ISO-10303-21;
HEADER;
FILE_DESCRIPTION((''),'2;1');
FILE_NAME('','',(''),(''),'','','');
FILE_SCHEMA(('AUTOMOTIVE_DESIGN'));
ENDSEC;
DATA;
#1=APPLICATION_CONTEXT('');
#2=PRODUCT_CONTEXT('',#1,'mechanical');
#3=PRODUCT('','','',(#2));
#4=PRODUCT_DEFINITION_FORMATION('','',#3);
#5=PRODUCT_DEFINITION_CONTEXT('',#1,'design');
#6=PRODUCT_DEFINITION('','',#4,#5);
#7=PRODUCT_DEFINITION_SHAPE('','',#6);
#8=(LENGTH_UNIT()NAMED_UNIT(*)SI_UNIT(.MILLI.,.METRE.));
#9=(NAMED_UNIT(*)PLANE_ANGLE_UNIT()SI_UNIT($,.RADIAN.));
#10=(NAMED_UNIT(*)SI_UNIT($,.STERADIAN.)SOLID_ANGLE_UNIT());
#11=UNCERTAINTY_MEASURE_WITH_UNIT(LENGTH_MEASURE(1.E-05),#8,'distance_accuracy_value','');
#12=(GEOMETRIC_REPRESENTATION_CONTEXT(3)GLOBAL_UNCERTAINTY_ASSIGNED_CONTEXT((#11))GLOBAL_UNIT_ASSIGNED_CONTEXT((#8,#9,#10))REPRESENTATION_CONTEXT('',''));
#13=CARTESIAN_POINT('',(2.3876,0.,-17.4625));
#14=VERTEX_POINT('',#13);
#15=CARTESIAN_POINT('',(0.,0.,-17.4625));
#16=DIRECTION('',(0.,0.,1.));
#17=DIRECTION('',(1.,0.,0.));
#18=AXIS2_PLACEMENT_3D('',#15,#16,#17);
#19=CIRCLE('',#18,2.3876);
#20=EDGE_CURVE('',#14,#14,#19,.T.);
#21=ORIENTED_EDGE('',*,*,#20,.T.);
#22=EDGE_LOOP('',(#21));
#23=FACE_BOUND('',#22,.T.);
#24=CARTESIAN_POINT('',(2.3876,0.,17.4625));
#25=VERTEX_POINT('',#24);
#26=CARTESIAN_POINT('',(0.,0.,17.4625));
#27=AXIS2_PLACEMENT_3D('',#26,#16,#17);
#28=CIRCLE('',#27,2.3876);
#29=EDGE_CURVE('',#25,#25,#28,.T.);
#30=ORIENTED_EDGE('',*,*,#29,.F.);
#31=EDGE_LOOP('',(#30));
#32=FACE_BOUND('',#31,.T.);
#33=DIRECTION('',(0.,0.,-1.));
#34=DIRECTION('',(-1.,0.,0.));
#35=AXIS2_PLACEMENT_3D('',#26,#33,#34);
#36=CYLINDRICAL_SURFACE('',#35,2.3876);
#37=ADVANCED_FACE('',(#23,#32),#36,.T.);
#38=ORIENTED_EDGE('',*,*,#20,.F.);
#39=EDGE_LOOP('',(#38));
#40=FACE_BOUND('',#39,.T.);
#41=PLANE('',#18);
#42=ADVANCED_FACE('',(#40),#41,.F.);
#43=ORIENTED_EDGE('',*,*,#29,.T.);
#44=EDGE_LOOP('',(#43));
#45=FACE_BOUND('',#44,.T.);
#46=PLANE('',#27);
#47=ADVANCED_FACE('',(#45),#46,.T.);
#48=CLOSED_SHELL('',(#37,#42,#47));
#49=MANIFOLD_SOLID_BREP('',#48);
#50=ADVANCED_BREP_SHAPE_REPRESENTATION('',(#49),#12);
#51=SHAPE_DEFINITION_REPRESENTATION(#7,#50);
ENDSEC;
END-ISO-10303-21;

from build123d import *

# Parameters (mm, degrees)
SKETCH1_R           = 2.3876
BOSS_EXTRUDE1_DEPTH = 17.4625


with BuildPart() as part:
    # Sketch1 → Boss-Extrude1 (new body, symmetric)
    with BuildSketch(Plane.XY):
        Circle(SKETCH1_R)
    extrude(amount=BOSS_EXTRUDE1_DEPTH, both=True)


solid = part.part
